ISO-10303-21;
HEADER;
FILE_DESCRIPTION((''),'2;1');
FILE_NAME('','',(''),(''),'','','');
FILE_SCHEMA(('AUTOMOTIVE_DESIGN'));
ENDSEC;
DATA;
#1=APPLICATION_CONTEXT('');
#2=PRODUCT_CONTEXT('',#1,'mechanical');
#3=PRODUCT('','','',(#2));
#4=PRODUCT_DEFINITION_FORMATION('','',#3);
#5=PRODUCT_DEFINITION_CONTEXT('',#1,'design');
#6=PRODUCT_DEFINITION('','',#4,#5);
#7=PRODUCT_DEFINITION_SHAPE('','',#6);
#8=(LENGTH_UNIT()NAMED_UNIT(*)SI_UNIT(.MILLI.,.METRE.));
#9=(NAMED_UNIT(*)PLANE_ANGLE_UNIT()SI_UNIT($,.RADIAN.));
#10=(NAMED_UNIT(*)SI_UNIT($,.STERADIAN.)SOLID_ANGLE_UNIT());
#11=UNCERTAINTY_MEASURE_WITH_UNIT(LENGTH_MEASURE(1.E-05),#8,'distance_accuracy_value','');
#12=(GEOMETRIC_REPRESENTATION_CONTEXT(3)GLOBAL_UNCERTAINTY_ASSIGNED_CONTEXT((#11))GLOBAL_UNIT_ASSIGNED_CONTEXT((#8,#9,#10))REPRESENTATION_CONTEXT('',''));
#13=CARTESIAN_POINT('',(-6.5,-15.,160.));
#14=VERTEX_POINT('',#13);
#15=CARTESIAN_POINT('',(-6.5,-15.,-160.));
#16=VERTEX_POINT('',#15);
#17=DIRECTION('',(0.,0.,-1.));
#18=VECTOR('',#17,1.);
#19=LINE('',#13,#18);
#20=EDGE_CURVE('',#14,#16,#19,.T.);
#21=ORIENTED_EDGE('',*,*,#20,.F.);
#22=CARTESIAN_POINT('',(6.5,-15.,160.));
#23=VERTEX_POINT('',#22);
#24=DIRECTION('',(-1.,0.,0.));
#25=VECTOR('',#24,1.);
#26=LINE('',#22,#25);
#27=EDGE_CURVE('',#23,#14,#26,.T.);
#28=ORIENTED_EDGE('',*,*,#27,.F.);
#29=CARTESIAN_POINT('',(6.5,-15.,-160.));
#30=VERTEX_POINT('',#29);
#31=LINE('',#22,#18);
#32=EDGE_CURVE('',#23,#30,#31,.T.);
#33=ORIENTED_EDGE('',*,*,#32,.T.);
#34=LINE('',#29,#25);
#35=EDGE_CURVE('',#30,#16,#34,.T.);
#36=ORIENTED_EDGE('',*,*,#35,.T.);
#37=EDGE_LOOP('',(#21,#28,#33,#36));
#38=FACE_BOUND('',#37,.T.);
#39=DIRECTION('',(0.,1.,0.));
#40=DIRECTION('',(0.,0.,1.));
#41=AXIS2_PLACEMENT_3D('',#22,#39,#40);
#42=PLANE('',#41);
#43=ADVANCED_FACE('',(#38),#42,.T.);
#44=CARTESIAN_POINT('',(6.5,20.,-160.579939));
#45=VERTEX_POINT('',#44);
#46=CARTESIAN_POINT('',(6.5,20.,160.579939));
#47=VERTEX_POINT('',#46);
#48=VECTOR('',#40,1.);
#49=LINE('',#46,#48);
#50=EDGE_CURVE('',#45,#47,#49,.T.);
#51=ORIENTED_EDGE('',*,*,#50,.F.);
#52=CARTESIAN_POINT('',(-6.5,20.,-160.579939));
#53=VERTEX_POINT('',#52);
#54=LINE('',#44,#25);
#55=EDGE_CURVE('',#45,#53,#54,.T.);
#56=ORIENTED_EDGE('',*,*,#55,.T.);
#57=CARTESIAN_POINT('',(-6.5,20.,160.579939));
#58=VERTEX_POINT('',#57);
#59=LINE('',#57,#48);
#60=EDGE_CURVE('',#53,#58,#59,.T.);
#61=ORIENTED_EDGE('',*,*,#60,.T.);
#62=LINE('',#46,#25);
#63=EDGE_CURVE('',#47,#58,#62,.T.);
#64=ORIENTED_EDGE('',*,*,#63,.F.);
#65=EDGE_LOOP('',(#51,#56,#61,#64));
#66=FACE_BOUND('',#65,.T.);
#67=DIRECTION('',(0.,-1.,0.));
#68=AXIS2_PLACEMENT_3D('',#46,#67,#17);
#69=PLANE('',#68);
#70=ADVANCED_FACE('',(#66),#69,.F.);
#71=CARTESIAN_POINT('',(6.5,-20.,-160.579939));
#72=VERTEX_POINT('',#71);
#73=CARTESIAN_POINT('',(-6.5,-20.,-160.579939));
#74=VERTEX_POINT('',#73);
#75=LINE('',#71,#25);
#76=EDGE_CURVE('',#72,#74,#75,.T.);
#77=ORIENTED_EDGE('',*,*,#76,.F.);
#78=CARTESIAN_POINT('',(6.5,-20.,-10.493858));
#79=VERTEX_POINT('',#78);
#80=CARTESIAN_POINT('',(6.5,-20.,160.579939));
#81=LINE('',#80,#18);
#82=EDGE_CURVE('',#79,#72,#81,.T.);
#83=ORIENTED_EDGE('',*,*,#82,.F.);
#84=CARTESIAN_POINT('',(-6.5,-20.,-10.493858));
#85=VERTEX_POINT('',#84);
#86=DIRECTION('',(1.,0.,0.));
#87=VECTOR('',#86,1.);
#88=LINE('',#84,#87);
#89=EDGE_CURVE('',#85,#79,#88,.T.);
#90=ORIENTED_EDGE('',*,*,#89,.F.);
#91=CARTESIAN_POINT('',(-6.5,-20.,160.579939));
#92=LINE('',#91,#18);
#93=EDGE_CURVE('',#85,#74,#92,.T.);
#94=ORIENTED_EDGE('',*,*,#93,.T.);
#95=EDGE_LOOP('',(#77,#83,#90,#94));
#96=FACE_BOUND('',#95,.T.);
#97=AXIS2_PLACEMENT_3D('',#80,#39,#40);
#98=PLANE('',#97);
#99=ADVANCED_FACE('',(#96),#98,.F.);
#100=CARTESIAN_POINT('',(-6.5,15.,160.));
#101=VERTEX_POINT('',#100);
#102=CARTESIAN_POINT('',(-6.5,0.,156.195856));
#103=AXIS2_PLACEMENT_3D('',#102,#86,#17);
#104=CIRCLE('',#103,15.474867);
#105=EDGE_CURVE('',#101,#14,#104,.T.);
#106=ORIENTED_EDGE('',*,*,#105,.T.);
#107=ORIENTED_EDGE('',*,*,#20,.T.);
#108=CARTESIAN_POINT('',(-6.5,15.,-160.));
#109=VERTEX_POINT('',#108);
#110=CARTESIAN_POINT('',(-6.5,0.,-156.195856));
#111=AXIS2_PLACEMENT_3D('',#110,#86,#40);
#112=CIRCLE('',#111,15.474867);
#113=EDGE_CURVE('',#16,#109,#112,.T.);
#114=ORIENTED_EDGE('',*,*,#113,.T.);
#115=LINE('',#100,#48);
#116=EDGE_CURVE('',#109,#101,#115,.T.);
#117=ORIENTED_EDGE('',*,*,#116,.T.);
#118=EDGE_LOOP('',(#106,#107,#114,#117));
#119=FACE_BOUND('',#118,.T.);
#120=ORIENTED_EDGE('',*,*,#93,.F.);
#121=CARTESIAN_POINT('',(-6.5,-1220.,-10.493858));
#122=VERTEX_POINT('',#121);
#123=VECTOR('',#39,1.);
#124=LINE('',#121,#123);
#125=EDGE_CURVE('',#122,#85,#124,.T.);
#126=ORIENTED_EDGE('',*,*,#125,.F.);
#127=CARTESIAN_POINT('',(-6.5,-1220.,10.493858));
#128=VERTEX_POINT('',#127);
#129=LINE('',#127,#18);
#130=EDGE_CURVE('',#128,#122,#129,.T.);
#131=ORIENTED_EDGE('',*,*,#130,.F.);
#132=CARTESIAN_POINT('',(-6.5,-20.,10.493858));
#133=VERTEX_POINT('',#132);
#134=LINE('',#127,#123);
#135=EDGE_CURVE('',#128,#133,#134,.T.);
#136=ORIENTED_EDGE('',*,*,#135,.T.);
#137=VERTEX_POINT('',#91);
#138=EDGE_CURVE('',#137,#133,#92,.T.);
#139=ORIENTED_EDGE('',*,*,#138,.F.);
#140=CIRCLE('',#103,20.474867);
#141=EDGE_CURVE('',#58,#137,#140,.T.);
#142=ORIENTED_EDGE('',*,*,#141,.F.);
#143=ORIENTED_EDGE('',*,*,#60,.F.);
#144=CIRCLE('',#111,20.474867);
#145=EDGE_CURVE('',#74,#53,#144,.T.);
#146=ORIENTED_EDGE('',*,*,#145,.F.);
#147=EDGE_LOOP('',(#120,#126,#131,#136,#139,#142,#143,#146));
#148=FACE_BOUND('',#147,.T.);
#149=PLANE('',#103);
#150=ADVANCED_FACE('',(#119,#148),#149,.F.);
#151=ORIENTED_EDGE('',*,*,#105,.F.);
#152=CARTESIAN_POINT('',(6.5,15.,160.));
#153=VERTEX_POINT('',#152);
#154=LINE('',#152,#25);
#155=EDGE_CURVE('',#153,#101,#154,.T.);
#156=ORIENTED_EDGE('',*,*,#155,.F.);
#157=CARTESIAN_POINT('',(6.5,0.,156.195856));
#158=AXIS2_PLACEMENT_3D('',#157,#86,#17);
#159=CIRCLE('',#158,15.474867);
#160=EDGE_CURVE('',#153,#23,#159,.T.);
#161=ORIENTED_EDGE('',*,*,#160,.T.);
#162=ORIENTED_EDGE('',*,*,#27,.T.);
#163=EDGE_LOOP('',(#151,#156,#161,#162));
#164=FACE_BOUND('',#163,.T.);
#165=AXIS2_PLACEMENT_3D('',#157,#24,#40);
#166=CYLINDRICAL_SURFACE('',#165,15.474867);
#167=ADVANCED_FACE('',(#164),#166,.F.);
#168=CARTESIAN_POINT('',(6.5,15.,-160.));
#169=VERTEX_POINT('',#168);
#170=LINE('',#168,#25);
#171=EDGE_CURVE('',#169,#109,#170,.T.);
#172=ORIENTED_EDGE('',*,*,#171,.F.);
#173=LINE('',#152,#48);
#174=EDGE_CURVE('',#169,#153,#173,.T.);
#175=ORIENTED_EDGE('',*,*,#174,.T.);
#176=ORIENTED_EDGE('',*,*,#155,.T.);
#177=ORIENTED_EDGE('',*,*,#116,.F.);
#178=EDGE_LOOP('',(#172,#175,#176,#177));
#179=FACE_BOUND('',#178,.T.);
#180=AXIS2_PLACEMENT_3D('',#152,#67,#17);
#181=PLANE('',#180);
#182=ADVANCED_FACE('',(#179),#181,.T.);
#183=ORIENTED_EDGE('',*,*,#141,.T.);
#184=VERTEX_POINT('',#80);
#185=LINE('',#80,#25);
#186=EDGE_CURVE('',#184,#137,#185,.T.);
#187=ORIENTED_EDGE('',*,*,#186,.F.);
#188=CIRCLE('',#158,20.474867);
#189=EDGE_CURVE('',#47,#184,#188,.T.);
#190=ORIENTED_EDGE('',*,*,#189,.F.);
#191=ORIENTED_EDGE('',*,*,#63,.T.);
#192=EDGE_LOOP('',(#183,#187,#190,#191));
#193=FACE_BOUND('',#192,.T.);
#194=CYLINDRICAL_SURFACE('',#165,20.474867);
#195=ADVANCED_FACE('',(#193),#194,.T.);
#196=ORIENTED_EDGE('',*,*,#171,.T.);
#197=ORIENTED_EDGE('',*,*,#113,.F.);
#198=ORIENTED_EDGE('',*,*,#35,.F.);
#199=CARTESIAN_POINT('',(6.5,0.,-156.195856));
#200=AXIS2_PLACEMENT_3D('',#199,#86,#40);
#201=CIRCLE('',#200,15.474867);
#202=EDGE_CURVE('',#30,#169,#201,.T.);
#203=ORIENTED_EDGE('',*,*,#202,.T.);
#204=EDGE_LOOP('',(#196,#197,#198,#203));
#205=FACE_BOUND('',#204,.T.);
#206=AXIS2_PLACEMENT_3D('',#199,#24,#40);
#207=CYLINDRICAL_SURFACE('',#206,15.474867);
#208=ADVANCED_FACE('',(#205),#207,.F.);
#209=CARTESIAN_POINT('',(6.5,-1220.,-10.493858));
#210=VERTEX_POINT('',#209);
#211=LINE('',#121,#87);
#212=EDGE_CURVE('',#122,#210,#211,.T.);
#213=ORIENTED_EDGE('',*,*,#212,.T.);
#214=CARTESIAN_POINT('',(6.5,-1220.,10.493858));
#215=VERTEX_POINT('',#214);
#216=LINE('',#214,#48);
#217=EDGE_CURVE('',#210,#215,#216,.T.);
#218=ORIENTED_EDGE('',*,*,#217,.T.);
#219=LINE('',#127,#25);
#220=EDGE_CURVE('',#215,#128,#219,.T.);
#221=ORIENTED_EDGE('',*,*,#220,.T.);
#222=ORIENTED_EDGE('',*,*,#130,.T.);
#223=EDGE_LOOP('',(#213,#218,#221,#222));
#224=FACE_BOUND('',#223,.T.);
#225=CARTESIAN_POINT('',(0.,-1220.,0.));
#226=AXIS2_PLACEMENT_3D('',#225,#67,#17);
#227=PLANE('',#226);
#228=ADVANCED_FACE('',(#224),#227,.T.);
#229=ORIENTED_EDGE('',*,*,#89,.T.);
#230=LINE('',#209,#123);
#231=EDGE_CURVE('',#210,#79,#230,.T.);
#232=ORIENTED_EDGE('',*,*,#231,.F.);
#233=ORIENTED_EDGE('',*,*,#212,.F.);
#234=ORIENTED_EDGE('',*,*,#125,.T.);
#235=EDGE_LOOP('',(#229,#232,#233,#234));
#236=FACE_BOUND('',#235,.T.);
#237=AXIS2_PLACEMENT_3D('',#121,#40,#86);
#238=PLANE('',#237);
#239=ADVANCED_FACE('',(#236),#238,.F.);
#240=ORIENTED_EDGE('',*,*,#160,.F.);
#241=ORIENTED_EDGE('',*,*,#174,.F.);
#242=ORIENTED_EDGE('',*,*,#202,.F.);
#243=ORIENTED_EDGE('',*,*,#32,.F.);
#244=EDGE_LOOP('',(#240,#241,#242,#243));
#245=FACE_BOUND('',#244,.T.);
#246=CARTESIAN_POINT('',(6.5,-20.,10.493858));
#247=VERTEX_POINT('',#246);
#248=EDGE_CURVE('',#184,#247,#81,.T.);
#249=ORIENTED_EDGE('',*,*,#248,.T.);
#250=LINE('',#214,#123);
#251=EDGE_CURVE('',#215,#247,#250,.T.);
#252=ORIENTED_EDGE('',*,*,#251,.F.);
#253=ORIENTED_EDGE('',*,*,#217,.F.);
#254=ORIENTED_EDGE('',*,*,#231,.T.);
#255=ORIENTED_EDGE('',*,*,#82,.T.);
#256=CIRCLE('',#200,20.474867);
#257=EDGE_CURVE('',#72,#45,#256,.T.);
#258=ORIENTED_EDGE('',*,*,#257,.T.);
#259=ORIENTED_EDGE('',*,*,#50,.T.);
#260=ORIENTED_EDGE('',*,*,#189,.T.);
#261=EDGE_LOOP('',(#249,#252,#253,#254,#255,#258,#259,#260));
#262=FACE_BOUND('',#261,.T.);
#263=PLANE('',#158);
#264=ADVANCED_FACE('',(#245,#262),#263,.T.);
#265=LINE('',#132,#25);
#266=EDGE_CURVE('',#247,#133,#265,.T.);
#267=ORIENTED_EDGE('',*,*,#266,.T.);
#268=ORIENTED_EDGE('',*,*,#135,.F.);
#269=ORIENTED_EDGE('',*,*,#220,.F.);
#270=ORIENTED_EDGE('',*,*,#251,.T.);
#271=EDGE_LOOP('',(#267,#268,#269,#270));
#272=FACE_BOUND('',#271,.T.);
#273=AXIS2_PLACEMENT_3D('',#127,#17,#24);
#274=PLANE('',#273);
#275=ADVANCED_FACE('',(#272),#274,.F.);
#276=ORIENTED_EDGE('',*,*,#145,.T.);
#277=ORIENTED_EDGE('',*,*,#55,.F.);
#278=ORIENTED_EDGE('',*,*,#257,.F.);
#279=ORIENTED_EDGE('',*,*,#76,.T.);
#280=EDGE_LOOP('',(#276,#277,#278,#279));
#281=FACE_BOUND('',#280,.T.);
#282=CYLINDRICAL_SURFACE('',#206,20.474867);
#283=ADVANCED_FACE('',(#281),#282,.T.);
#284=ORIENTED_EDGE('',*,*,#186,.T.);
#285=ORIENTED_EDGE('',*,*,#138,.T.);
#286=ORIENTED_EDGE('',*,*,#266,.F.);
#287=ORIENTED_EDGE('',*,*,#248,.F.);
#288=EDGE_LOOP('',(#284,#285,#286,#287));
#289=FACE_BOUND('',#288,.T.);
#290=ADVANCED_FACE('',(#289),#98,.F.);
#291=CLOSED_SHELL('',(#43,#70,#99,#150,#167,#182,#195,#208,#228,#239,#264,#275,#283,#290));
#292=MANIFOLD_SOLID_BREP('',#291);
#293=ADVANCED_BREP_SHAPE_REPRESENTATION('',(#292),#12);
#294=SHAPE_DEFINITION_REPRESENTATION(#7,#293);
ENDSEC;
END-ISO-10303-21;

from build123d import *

# Parameters (mm, degrees)
BOSS_EXTRUDE1_DEPTH = 6.5
SKETCH3_W           = 13
SKETCH3_H           = 20.987716218
BOSS_EXTRUDE2_DEPTH = 1200


with BuildPart() as part:
    # Sketch1 → Boss-Extrude1 (new, symmetric)
    with BuildSketch(Plane(origin=(0, 0, 0), x_dir=(0, 0, -1), z_dir=(1, 0, 0))):
        with BuildLine():
            Line((-160.579938889, -20), (160.579938889, -20))
            ThreePointArc((160.579938889, -20), (176.670722942, 0), (160.579938889, 20))
            Line((160.579938889, 20), (-160.579938889, 20))
            ThreePointArc((-160.579938889, 20), (-176.670722942, 0), (-160.579938889, -20))
        make_face()
        with BuildLine():
            Line((-160, 15), (160, 15))
            ThreePointArc((160, 15), (171.670722942, 0), (160, -15))
            Line((160, -15), (-160, -15))
            ThreePointArc((-160, -15), (-171.670722942, 0), (-160, 15))
        make_face(mode=Mode.SUBTRACT)
    extrude(amount=BOSS_EXTRUDE1_DEPTH, both=True)

    # Sketch3 → Boss-Extrude2 (add)
    with BuildSketch(Plane.XZ.offset(20)):
        Rectangle(SKETCH3_W, SKETCH3_H)
    extrude(amount=BOSS_EXTRUDE2_DEPTH)


solid = part.part
